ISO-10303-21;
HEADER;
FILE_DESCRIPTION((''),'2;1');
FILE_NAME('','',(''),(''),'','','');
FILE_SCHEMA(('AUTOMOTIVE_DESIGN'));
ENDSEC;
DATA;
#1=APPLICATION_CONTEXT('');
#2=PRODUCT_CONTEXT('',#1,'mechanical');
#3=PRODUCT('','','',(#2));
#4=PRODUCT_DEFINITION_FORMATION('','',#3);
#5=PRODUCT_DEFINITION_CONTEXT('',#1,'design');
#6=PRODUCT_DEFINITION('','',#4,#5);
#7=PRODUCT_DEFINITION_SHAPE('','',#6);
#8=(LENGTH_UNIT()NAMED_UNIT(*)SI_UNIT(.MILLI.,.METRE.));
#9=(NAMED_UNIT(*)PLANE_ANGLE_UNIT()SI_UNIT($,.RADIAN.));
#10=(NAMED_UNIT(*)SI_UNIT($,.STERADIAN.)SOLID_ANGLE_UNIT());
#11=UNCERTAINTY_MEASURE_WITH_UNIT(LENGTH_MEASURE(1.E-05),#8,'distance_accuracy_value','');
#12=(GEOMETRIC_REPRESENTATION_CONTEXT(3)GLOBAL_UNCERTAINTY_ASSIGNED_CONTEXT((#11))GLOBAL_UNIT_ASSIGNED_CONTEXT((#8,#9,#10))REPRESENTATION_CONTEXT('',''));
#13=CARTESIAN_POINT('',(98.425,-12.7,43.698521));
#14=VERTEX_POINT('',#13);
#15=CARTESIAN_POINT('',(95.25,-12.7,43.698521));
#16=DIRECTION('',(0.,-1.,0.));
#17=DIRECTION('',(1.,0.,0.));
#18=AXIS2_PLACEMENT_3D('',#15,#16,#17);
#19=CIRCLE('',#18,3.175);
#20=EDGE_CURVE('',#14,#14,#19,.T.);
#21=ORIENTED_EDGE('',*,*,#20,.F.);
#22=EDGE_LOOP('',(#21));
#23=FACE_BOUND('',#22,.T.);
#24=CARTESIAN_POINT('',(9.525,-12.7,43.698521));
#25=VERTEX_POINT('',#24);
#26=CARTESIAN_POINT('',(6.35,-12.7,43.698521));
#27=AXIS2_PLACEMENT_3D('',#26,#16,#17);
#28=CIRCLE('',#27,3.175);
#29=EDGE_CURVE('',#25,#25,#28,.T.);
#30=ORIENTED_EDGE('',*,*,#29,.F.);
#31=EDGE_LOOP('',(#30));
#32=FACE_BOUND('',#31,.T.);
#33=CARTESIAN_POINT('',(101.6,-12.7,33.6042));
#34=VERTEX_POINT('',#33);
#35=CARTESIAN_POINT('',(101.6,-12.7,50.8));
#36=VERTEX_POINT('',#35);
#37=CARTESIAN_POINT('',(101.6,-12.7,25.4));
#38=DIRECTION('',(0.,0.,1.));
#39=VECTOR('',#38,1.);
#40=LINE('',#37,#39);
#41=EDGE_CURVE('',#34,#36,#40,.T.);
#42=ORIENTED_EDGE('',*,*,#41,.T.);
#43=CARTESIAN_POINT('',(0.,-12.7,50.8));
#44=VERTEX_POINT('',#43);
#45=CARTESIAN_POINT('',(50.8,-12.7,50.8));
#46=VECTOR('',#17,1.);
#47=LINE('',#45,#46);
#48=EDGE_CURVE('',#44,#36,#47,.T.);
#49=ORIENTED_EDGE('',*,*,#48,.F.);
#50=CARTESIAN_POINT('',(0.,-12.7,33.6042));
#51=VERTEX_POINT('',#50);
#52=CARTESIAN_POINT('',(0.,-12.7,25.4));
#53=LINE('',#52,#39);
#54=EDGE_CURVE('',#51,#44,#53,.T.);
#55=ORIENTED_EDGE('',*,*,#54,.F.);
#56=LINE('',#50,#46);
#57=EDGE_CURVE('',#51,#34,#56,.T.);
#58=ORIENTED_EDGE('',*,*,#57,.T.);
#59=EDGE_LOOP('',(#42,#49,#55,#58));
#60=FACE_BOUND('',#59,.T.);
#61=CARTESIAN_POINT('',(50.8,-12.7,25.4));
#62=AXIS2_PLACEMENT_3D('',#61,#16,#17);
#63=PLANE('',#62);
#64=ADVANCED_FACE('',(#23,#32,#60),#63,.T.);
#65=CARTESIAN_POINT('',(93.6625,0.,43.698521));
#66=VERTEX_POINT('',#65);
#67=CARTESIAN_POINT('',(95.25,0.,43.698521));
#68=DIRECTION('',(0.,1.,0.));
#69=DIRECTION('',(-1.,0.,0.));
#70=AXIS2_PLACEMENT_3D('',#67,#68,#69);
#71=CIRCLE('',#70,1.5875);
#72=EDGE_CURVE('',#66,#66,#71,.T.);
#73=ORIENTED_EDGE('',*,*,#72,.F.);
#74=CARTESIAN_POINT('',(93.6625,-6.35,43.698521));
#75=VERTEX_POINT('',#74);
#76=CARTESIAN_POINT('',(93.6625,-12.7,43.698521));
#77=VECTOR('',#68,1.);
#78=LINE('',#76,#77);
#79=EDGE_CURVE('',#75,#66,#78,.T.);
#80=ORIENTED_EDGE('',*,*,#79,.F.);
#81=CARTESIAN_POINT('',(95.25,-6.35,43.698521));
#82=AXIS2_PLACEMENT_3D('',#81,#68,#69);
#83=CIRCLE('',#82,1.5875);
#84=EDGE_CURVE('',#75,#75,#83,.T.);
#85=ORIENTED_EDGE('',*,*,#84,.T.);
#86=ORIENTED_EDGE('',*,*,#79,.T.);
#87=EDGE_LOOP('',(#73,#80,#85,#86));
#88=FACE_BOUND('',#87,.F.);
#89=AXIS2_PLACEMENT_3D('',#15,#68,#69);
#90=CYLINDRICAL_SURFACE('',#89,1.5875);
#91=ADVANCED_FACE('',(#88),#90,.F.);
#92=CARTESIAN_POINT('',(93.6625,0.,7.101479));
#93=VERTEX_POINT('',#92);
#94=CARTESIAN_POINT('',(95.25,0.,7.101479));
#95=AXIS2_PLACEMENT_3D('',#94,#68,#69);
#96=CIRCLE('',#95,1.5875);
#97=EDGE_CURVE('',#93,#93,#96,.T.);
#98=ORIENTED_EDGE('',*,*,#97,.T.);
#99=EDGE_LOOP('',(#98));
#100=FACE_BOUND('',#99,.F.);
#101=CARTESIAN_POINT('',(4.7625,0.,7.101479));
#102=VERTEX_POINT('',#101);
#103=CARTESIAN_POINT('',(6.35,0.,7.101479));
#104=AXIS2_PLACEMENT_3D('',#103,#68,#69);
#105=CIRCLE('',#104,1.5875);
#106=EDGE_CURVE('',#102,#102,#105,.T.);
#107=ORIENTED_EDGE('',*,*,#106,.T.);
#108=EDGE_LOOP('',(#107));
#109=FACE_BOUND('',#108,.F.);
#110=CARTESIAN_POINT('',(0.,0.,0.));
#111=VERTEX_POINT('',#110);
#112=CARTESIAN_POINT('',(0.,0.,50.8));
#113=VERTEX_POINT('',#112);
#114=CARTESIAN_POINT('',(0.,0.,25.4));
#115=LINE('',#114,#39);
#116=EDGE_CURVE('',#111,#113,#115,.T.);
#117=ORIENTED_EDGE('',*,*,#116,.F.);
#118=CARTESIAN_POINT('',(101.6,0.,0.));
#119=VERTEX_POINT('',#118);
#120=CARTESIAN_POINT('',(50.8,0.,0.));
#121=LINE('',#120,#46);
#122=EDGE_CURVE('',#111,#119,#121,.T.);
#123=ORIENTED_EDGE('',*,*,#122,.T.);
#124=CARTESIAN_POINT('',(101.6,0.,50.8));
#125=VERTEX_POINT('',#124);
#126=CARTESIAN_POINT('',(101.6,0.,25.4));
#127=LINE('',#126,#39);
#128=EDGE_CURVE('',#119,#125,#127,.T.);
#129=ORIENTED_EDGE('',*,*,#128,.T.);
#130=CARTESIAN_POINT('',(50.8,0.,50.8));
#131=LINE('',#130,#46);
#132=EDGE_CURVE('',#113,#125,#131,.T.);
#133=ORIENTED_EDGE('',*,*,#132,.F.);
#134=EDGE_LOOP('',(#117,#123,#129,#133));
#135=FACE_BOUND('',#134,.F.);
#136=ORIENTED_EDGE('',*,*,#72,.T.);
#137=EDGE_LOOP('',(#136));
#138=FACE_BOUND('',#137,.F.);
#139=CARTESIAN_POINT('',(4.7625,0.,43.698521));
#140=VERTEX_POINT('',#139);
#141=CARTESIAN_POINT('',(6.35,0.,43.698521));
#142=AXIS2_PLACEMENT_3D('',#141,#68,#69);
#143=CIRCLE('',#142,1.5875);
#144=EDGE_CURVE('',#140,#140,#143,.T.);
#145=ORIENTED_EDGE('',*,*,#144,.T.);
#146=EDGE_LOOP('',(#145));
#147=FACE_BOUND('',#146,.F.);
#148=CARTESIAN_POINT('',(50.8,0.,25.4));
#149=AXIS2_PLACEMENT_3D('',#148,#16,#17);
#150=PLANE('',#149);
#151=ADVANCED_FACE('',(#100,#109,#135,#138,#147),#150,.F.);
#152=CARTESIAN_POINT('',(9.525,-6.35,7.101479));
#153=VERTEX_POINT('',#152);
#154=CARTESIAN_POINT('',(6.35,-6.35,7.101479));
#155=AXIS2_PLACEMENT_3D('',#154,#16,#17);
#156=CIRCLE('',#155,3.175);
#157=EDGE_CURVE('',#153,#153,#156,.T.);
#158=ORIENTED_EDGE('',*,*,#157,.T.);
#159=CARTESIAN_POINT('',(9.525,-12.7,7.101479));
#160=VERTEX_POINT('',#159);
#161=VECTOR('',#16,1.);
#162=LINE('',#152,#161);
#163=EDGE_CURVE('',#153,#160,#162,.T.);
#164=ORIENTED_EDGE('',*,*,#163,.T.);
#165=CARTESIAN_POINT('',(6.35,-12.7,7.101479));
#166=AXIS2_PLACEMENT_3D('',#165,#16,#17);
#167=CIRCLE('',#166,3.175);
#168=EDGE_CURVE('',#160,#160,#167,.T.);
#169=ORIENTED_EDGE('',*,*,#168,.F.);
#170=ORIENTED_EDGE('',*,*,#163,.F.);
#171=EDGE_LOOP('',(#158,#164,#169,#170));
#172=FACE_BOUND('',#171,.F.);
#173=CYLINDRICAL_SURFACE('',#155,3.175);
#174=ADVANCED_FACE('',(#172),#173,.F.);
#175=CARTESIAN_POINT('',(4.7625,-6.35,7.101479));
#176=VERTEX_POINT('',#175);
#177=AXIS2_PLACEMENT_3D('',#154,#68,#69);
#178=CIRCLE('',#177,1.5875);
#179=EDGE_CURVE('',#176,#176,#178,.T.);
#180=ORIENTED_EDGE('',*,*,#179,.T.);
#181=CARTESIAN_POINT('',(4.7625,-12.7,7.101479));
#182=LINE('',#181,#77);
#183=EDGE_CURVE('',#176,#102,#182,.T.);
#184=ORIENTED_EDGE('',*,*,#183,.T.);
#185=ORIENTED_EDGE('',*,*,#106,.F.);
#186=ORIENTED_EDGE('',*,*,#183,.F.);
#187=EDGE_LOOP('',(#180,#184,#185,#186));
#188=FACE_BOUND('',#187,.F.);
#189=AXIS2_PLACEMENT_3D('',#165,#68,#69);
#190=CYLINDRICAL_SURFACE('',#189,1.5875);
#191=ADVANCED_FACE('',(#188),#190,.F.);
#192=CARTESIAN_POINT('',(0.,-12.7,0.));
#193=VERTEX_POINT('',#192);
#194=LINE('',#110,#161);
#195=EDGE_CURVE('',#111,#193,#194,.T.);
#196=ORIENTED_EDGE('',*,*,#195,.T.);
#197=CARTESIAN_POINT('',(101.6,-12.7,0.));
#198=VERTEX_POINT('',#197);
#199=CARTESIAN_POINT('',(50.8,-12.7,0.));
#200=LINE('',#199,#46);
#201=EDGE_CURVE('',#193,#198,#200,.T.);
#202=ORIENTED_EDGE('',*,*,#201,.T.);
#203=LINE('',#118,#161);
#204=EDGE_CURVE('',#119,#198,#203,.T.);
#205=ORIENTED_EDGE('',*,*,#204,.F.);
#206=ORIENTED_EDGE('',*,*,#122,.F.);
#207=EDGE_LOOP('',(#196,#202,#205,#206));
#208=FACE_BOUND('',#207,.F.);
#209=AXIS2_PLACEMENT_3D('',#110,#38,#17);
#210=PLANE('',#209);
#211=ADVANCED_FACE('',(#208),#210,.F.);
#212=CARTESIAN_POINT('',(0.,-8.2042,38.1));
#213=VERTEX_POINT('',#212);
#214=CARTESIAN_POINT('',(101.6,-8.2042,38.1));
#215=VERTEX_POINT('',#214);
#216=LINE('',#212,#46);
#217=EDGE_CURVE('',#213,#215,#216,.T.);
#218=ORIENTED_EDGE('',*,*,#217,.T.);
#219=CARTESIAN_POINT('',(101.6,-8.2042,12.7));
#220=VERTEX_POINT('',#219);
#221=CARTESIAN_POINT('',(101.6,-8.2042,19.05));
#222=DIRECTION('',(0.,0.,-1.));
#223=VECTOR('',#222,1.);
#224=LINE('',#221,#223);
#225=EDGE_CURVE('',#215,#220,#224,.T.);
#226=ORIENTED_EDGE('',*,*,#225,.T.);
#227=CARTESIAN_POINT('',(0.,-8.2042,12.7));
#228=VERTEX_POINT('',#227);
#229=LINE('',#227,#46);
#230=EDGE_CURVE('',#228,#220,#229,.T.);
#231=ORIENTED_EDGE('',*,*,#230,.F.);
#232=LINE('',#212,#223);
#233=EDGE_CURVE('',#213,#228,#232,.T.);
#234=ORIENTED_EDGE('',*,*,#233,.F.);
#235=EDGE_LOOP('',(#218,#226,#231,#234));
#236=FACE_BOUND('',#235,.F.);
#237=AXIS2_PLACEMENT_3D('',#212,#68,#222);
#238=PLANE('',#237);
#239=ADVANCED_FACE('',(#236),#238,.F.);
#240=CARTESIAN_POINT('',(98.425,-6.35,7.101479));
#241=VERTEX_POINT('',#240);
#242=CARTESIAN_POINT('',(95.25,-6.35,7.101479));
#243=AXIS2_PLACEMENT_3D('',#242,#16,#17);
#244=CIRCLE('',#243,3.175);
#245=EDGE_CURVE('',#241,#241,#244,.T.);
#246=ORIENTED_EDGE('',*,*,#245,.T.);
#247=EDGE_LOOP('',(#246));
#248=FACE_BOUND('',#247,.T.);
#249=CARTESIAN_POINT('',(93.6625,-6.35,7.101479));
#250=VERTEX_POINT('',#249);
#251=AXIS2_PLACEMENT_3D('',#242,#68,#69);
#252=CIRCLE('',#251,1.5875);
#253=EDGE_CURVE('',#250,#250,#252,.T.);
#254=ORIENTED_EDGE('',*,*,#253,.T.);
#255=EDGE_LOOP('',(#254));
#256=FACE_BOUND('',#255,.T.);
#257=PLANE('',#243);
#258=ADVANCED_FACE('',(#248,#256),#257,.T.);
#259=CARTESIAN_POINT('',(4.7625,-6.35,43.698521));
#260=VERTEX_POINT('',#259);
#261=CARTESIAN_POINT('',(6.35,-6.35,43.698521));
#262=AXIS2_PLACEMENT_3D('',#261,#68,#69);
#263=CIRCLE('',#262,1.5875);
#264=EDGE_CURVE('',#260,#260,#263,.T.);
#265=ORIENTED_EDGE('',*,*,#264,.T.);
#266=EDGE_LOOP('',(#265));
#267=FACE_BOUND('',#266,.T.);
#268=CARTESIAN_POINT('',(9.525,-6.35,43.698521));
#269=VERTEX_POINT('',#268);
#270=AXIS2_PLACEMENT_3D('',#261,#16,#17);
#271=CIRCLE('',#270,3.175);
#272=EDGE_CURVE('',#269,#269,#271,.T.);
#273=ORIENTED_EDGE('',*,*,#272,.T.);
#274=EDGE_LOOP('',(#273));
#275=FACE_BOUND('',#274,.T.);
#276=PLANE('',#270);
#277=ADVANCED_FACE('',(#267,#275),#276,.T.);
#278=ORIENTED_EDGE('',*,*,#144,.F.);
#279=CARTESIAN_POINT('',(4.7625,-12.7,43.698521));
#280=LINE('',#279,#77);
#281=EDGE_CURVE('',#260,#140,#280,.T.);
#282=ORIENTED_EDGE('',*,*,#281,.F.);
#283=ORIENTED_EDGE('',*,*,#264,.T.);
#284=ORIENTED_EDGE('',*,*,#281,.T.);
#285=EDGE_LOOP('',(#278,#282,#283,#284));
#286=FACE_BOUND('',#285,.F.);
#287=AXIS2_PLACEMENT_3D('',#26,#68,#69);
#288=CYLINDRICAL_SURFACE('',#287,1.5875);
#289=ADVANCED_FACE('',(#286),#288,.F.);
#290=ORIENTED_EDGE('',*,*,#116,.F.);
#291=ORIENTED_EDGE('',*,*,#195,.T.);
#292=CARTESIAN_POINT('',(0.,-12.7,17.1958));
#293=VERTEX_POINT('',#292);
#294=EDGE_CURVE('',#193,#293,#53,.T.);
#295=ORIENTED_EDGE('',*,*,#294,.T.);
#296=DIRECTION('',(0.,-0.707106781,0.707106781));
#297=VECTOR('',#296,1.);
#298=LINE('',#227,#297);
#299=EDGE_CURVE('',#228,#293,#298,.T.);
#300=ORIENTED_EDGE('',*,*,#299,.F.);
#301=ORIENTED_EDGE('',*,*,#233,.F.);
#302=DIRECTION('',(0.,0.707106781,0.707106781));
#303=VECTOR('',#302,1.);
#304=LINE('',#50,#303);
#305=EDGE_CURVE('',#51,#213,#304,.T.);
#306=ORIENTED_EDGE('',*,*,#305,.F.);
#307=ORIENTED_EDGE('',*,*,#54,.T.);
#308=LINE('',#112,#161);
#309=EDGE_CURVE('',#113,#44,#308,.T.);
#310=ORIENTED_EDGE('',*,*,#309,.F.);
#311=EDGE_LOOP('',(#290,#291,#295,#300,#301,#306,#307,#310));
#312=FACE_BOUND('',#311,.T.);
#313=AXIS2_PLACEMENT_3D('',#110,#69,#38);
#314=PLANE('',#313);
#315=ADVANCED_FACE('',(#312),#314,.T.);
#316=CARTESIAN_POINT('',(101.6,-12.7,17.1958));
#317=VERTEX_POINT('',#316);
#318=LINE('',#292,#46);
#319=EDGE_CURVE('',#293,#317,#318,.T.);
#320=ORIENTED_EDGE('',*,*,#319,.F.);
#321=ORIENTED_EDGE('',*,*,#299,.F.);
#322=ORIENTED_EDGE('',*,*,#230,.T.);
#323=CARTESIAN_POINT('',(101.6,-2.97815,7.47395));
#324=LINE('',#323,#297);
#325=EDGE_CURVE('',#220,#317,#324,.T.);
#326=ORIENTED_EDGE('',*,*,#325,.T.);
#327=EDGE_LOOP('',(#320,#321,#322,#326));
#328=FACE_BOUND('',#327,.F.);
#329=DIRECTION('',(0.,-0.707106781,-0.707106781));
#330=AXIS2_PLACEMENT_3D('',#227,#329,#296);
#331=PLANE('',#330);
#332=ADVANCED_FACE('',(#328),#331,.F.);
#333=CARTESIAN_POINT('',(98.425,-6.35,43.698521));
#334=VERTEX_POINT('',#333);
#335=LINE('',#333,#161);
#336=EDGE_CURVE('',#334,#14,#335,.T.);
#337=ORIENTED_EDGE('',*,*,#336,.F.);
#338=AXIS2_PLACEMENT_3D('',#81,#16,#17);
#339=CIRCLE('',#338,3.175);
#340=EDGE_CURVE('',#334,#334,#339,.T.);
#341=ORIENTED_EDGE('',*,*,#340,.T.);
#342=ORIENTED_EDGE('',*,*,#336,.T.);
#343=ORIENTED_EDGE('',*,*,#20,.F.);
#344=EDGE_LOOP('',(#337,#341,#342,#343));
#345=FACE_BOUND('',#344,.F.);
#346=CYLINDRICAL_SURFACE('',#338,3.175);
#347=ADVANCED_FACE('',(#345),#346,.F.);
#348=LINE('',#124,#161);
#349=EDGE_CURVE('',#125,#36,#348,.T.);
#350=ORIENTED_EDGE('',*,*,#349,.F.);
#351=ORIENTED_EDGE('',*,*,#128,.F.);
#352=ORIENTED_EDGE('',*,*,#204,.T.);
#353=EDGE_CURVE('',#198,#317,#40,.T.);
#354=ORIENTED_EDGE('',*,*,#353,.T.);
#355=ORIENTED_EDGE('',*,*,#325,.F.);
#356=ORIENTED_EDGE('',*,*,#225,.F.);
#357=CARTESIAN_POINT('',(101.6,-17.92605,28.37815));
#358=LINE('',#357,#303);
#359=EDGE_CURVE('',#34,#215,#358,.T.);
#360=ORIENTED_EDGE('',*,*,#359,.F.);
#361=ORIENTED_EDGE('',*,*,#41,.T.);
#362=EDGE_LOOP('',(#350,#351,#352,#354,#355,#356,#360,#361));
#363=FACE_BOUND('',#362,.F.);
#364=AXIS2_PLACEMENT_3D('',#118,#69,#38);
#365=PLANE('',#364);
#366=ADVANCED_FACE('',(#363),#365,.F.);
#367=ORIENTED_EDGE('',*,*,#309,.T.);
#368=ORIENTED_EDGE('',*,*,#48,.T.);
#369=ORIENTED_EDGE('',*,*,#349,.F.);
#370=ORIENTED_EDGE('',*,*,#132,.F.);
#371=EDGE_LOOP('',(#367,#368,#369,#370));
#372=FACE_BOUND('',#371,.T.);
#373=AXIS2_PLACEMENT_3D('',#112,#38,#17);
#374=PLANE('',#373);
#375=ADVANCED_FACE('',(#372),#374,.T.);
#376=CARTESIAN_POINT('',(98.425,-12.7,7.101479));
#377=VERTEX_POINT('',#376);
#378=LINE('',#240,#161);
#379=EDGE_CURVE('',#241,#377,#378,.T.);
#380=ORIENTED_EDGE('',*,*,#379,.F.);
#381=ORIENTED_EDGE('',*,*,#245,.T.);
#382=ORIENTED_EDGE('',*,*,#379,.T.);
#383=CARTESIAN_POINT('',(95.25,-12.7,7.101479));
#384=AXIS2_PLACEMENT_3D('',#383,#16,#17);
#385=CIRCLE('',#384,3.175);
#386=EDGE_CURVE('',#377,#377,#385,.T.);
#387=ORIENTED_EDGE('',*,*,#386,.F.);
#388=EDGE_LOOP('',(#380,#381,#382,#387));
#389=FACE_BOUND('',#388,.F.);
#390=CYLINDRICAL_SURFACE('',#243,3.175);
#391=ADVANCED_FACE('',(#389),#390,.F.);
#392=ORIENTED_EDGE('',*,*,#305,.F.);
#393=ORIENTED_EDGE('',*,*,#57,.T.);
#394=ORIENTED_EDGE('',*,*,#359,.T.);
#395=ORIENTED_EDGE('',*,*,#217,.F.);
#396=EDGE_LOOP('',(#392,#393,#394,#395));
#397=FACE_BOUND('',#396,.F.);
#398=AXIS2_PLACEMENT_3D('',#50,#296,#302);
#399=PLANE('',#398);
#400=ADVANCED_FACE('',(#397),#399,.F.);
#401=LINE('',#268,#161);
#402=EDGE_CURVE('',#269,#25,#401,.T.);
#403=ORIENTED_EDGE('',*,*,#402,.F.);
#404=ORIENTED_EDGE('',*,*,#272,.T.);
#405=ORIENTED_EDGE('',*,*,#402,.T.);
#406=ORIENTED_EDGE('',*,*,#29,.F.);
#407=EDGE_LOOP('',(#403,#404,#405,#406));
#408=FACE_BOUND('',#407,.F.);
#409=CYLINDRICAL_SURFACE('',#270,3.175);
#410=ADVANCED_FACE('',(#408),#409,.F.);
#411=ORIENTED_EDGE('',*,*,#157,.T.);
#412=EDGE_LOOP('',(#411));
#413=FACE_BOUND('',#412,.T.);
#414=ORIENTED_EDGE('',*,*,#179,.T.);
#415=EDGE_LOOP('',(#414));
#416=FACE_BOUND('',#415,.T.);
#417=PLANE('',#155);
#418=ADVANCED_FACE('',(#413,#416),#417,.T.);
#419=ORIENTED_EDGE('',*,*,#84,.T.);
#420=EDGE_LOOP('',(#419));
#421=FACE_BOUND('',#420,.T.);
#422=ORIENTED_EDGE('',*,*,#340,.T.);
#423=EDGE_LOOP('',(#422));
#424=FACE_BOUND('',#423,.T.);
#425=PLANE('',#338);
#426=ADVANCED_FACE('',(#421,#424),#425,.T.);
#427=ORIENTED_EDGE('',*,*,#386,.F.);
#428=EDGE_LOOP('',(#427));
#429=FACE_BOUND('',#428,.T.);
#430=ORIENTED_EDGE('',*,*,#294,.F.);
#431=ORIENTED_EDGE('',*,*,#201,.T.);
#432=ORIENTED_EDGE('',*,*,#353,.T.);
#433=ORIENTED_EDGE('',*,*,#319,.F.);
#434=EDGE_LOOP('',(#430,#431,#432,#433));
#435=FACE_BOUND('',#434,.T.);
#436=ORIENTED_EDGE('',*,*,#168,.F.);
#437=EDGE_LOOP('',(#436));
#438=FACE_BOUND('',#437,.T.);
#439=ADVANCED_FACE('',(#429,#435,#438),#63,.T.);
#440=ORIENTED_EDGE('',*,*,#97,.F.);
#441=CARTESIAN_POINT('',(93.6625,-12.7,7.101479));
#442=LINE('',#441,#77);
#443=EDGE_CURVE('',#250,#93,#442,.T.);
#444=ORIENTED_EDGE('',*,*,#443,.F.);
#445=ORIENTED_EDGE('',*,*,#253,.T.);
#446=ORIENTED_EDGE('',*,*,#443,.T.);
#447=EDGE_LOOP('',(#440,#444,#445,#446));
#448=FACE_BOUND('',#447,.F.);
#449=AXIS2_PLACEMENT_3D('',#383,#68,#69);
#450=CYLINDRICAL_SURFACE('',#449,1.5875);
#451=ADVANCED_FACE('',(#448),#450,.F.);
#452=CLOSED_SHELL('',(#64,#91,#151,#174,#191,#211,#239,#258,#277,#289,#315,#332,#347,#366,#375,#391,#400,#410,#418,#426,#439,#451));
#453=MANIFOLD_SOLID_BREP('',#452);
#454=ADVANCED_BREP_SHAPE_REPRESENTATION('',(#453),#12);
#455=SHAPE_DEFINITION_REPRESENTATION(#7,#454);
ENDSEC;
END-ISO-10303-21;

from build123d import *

# Parameters (mm, degrees)
F0_W           = 101.6
F0_H           = 50.8
F1_DEPTH       = 12.7
F3_D           = 3.175
F3_CBORE_D     = 6.35
F3_CBORE_DEPTH = 6.35
F5_DEPTH       = 101.601
F6_D           = 3.175
F6_CBORE_D     = 6.35
F6_CBORE_DEPTH = 6.35
F7_D           = 3.175
F7_CBORE_D     = 6.35
F7_CBORE_DEPTH = 6.35
F8_D           = 3.175
F8_CBORE_D     = 6.35
F8_CBORE_DEPTH = 6.35


with BuildPart() as f1:
    # F0 (on Front) → F1 (new body)
    with BuildSketch(Plane.XZ):
        with Locations((50.8, 25.4)):
            Rectangle(F0_W, F0_H)
    extrude(amount=F1_DEPTH)

    # F3 (through all)
    with Locations(Plane.XZ.offset(12.7)):
        with Locations((6.35, 7.101479)):
            CounterBoreHole(F3_D / 2, F3_CBORE_D / 2, F3_CBORE_DEPTH)

    # F4 (on face) → F5 (cut, through all)
    with BuildSketch(Plane(origin=(0, 0, 0), x_dir=(0, -1, 0), z_dir=(-1, 0, 0))):
        Polygon((12.7, 33.6042), (8.2042, 38.1), (8.2042, 12.7), (12.7, 17.1958), align=None)
    extrude(amount=-F5_DEPTH, mode=Mode.SUBTRACT)

    # F6 (through all)
    with Locations(Plane.XZ.offset(12.7)):
        with Locations((6.35, 43.698521)):
            CounterBoreHole(F6_D / 2, F6_CBORE_D / 2, F6_CBORE_DEPTH)

    # F7 (through all)
    with Locations(Plane.XZ.offset(12.7)):
        with Locations((95.25, 43.698521)):
            CounterBoreHole(F7_D / 2, F7_CBORE_D / 2, F7_CBORE_DEPTH)

    # F8 (through all)
    with Locations(Plane.XZ.offset(12.7)):
        with Locations((95.25, 7.101479)):
            CounterBoreHole(F8_D / 2, F8_CBORE_D / 2, F8_CBORE_DEPTH)


solid = f1.part
